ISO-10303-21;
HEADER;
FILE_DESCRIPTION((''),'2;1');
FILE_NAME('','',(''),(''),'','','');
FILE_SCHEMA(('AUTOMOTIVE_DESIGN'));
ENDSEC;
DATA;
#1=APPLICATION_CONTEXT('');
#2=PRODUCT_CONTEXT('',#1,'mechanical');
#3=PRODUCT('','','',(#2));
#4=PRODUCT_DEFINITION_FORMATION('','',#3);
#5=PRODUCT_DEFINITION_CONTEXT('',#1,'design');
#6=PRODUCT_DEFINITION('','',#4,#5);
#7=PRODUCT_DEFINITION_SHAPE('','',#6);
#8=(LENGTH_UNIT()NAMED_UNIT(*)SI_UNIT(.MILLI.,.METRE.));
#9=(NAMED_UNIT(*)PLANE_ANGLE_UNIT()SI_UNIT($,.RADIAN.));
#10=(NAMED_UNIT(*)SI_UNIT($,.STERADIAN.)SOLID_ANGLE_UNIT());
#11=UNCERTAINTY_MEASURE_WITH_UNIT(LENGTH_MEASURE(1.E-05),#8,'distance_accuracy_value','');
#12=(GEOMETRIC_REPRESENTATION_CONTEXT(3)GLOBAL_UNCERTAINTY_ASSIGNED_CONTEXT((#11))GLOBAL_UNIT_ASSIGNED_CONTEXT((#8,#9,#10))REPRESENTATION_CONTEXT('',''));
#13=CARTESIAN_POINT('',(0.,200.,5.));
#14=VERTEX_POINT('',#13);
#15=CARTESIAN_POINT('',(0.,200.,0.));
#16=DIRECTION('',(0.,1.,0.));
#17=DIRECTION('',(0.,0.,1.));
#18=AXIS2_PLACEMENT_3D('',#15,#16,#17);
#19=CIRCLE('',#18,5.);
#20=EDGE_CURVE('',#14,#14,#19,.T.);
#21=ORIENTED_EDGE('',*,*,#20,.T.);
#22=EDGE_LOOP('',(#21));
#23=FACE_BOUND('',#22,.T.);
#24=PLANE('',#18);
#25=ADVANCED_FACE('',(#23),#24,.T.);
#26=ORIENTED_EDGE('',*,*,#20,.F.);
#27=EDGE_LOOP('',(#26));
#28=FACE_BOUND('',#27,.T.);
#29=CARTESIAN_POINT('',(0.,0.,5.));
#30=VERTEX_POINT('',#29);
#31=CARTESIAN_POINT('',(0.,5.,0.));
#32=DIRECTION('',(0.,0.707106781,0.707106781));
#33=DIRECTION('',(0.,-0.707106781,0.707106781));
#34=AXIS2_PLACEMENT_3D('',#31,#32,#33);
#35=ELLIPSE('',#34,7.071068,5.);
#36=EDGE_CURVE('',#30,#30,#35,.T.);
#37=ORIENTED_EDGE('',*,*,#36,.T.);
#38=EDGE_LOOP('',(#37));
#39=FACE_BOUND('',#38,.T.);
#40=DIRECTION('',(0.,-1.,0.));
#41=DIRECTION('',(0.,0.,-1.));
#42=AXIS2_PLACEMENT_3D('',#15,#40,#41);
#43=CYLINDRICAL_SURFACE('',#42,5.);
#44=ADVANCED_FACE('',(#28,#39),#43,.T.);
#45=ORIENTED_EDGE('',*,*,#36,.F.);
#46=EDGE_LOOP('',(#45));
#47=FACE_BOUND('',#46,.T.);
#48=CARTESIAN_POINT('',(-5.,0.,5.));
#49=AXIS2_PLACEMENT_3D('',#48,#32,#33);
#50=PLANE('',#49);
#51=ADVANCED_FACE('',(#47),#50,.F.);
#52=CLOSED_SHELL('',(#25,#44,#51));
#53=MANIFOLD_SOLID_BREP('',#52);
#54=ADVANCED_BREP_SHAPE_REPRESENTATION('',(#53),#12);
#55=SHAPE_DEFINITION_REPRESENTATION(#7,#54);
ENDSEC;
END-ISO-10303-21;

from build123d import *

# Parameters (mm, degrees)
SKETCH_1_R               = 5
EXTRUDE_1_DEPTH          = 200
CUT_EXTRUDE_1_DEPTH      = 201.124960962
CUT_EXTRUDE_1_DEPTH_BACK = 201.124960962


with BuildPart() as part:
    # 草图1 → 凸台-拉伸1 (new body)
    with BuildSketch(Plane(origin=(0, 0, 0), x_dir=(1, 0, 0), z_dir=(0, 1, 0))):
        with Locations(Location((0, 0, 0), (0, 0, 270))):
            Circle(SKETCH_1_R)
    extrude(amount=EXTRUDE_1_DEPTH)

    # 草图2 → 切除-拉伸1 (cut, two sides: drawn at the far end of the back side and taken through both)
    with BuildSketch(Plane(origin=(0, 0, 0), x_dir=(0, 0, -1), z_dir=(1, 0, 0)).offset(-CUT_EXTRUDE_1_DEPTH_BACK)):
        Polygon((-5, 0), (5, 10), (5, 0), align=None)
    extrude(amount=CUT_EXTRUDE_1_DEPTH + CUT_EXTRUDE_1_DEPTH_BACK, mode=Mode.SUBTRACT)


solid = part.part
